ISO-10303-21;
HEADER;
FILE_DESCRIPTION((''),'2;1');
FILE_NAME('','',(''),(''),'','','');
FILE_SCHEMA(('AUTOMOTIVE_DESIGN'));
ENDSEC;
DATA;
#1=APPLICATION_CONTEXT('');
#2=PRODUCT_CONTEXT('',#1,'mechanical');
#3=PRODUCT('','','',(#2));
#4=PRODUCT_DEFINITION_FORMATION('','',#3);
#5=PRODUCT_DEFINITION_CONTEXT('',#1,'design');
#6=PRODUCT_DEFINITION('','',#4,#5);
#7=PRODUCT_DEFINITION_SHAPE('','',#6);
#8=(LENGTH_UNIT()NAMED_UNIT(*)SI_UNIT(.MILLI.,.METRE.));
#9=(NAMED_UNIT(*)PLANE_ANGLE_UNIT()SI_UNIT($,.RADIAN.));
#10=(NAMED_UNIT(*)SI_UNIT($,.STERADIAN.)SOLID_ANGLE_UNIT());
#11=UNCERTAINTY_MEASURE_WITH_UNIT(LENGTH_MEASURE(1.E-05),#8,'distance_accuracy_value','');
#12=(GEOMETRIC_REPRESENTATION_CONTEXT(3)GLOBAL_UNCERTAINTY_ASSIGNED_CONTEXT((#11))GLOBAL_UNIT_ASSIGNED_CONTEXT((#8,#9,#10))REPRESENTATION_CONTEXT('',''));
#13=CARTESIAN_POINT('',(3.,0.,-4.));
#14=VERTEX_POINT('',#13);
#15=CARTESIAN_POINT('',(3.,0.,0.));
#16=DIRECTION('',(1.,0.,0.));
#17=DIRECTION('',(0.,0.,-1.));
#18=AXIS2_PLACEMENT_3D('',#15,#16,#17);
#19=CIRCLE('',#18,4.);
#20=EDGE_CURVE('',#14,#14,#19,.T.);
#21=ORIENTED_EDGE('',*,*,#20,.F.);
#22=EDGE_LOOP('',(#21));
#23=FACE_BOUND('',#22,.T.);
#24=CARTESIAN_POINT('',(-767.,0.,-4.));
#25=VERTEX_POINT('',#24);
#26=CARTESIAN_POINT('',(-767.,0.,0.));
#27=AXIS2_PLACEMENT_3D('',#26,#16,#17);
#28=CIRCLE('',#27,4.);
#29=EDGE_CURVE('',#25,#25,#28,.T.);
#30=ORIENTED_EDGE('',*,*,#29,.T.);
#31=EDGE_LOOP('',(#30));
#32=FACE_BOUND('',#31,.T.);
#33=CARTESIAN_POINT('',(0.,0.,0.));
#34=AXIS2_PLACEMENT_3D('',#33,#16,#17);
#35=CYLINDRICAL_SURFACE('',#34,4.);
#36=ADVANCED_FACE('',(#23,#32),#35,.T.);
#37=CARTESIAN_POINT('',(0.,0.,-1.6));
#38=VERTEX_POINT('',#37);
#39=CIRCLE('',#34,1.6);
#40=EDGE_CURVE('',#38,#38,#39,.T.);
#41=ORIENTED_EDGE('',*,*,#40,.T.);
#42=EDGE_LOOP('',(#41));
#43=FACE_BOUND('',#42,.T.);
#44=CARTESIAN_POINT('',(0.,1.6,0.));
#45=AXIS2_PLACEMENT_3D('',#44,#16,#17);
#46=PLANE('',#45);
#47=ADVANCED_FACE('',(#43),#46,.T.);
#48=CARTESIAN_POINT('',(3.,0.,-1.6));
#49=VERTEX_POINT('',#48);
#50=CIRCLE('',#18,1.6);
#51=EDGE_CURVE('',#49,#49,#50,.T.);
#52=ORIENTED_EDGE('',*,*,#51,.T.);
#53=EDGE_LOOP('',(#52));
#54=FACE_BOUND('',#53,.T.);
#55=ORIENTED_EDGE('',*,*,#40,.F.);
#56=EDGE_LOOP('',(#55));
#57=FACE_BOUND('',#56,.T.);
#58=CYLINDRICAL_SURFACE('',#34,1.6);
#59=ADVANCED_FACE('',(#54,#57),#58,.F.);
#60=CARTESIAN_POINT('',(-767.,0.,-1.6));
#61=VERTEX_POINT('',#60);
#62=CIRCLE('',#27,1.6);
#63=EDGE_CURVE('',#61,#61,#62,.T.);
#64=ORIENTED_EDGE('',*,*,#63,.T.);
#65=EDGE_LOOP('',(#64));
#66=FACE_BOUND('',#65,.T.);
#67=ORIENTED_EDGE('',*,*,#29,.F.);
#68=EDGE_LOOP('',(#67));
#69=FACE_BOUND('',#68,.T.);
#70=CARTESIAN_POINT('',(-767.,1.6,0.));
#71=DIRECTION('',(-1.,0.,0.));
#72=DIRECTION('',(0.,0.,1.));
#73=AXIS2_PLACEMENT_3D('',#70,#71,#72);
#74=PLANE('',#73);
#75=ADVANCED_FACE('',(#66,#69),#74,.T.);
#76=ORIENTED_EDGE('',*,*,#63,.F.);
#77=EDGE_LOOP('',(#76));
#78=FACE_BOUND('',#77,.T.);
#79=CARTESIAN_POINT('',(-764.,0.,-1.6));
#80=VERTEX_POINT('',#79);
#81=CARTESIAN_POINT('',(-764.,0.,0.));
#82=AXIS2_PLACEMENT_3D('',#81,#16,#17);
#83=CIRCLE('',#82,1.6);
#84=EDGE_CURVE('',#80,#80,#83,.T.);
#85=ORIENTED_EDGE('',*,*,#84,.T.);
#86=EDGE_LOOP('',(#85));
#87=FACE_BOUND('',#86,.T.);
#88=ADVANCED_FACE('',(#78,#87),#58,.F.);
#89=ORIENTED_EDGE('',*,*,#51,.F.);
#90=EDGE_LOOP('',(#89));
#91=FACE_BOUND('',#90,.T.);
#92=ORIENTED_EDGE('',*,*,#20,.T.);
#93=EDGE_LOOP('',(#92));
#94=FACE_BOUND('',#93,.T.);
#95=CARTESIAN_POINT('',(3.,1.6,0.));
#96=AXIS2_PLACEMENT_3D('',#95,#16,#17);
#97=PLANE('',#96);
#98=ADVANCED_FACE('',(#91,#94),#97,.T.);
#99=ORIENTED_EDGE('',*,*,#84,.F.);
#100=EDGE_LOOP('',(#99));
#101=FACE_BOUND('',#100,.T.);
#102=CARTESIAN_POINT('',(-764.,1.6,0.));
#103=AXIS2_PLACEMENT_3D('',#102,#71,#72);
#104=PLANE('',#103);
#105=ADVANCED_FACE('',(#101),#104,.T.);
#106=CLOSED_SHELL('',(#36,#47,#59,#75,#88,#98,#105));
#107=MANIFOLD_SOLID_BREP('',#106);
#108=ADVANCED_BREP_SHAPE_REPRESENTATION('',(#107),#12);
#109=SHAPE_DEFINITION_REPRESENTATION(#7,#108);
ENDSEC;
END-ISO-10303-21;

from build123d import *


with BuildPart() as part:
    # Skizze1 → Rotation1 (revolve)
    with BuildSketch(Plane.XY):
        Polygon((3, 1.6), (0, 1.6), (0, 0), (-764, 0), (-764, 1.6), (-767, 1.6), (-767, 4), (3, 4), align=None)
    revolve(axis=Axis((0, 0, 0), (-1, 0, 0)))


solid = part.part
